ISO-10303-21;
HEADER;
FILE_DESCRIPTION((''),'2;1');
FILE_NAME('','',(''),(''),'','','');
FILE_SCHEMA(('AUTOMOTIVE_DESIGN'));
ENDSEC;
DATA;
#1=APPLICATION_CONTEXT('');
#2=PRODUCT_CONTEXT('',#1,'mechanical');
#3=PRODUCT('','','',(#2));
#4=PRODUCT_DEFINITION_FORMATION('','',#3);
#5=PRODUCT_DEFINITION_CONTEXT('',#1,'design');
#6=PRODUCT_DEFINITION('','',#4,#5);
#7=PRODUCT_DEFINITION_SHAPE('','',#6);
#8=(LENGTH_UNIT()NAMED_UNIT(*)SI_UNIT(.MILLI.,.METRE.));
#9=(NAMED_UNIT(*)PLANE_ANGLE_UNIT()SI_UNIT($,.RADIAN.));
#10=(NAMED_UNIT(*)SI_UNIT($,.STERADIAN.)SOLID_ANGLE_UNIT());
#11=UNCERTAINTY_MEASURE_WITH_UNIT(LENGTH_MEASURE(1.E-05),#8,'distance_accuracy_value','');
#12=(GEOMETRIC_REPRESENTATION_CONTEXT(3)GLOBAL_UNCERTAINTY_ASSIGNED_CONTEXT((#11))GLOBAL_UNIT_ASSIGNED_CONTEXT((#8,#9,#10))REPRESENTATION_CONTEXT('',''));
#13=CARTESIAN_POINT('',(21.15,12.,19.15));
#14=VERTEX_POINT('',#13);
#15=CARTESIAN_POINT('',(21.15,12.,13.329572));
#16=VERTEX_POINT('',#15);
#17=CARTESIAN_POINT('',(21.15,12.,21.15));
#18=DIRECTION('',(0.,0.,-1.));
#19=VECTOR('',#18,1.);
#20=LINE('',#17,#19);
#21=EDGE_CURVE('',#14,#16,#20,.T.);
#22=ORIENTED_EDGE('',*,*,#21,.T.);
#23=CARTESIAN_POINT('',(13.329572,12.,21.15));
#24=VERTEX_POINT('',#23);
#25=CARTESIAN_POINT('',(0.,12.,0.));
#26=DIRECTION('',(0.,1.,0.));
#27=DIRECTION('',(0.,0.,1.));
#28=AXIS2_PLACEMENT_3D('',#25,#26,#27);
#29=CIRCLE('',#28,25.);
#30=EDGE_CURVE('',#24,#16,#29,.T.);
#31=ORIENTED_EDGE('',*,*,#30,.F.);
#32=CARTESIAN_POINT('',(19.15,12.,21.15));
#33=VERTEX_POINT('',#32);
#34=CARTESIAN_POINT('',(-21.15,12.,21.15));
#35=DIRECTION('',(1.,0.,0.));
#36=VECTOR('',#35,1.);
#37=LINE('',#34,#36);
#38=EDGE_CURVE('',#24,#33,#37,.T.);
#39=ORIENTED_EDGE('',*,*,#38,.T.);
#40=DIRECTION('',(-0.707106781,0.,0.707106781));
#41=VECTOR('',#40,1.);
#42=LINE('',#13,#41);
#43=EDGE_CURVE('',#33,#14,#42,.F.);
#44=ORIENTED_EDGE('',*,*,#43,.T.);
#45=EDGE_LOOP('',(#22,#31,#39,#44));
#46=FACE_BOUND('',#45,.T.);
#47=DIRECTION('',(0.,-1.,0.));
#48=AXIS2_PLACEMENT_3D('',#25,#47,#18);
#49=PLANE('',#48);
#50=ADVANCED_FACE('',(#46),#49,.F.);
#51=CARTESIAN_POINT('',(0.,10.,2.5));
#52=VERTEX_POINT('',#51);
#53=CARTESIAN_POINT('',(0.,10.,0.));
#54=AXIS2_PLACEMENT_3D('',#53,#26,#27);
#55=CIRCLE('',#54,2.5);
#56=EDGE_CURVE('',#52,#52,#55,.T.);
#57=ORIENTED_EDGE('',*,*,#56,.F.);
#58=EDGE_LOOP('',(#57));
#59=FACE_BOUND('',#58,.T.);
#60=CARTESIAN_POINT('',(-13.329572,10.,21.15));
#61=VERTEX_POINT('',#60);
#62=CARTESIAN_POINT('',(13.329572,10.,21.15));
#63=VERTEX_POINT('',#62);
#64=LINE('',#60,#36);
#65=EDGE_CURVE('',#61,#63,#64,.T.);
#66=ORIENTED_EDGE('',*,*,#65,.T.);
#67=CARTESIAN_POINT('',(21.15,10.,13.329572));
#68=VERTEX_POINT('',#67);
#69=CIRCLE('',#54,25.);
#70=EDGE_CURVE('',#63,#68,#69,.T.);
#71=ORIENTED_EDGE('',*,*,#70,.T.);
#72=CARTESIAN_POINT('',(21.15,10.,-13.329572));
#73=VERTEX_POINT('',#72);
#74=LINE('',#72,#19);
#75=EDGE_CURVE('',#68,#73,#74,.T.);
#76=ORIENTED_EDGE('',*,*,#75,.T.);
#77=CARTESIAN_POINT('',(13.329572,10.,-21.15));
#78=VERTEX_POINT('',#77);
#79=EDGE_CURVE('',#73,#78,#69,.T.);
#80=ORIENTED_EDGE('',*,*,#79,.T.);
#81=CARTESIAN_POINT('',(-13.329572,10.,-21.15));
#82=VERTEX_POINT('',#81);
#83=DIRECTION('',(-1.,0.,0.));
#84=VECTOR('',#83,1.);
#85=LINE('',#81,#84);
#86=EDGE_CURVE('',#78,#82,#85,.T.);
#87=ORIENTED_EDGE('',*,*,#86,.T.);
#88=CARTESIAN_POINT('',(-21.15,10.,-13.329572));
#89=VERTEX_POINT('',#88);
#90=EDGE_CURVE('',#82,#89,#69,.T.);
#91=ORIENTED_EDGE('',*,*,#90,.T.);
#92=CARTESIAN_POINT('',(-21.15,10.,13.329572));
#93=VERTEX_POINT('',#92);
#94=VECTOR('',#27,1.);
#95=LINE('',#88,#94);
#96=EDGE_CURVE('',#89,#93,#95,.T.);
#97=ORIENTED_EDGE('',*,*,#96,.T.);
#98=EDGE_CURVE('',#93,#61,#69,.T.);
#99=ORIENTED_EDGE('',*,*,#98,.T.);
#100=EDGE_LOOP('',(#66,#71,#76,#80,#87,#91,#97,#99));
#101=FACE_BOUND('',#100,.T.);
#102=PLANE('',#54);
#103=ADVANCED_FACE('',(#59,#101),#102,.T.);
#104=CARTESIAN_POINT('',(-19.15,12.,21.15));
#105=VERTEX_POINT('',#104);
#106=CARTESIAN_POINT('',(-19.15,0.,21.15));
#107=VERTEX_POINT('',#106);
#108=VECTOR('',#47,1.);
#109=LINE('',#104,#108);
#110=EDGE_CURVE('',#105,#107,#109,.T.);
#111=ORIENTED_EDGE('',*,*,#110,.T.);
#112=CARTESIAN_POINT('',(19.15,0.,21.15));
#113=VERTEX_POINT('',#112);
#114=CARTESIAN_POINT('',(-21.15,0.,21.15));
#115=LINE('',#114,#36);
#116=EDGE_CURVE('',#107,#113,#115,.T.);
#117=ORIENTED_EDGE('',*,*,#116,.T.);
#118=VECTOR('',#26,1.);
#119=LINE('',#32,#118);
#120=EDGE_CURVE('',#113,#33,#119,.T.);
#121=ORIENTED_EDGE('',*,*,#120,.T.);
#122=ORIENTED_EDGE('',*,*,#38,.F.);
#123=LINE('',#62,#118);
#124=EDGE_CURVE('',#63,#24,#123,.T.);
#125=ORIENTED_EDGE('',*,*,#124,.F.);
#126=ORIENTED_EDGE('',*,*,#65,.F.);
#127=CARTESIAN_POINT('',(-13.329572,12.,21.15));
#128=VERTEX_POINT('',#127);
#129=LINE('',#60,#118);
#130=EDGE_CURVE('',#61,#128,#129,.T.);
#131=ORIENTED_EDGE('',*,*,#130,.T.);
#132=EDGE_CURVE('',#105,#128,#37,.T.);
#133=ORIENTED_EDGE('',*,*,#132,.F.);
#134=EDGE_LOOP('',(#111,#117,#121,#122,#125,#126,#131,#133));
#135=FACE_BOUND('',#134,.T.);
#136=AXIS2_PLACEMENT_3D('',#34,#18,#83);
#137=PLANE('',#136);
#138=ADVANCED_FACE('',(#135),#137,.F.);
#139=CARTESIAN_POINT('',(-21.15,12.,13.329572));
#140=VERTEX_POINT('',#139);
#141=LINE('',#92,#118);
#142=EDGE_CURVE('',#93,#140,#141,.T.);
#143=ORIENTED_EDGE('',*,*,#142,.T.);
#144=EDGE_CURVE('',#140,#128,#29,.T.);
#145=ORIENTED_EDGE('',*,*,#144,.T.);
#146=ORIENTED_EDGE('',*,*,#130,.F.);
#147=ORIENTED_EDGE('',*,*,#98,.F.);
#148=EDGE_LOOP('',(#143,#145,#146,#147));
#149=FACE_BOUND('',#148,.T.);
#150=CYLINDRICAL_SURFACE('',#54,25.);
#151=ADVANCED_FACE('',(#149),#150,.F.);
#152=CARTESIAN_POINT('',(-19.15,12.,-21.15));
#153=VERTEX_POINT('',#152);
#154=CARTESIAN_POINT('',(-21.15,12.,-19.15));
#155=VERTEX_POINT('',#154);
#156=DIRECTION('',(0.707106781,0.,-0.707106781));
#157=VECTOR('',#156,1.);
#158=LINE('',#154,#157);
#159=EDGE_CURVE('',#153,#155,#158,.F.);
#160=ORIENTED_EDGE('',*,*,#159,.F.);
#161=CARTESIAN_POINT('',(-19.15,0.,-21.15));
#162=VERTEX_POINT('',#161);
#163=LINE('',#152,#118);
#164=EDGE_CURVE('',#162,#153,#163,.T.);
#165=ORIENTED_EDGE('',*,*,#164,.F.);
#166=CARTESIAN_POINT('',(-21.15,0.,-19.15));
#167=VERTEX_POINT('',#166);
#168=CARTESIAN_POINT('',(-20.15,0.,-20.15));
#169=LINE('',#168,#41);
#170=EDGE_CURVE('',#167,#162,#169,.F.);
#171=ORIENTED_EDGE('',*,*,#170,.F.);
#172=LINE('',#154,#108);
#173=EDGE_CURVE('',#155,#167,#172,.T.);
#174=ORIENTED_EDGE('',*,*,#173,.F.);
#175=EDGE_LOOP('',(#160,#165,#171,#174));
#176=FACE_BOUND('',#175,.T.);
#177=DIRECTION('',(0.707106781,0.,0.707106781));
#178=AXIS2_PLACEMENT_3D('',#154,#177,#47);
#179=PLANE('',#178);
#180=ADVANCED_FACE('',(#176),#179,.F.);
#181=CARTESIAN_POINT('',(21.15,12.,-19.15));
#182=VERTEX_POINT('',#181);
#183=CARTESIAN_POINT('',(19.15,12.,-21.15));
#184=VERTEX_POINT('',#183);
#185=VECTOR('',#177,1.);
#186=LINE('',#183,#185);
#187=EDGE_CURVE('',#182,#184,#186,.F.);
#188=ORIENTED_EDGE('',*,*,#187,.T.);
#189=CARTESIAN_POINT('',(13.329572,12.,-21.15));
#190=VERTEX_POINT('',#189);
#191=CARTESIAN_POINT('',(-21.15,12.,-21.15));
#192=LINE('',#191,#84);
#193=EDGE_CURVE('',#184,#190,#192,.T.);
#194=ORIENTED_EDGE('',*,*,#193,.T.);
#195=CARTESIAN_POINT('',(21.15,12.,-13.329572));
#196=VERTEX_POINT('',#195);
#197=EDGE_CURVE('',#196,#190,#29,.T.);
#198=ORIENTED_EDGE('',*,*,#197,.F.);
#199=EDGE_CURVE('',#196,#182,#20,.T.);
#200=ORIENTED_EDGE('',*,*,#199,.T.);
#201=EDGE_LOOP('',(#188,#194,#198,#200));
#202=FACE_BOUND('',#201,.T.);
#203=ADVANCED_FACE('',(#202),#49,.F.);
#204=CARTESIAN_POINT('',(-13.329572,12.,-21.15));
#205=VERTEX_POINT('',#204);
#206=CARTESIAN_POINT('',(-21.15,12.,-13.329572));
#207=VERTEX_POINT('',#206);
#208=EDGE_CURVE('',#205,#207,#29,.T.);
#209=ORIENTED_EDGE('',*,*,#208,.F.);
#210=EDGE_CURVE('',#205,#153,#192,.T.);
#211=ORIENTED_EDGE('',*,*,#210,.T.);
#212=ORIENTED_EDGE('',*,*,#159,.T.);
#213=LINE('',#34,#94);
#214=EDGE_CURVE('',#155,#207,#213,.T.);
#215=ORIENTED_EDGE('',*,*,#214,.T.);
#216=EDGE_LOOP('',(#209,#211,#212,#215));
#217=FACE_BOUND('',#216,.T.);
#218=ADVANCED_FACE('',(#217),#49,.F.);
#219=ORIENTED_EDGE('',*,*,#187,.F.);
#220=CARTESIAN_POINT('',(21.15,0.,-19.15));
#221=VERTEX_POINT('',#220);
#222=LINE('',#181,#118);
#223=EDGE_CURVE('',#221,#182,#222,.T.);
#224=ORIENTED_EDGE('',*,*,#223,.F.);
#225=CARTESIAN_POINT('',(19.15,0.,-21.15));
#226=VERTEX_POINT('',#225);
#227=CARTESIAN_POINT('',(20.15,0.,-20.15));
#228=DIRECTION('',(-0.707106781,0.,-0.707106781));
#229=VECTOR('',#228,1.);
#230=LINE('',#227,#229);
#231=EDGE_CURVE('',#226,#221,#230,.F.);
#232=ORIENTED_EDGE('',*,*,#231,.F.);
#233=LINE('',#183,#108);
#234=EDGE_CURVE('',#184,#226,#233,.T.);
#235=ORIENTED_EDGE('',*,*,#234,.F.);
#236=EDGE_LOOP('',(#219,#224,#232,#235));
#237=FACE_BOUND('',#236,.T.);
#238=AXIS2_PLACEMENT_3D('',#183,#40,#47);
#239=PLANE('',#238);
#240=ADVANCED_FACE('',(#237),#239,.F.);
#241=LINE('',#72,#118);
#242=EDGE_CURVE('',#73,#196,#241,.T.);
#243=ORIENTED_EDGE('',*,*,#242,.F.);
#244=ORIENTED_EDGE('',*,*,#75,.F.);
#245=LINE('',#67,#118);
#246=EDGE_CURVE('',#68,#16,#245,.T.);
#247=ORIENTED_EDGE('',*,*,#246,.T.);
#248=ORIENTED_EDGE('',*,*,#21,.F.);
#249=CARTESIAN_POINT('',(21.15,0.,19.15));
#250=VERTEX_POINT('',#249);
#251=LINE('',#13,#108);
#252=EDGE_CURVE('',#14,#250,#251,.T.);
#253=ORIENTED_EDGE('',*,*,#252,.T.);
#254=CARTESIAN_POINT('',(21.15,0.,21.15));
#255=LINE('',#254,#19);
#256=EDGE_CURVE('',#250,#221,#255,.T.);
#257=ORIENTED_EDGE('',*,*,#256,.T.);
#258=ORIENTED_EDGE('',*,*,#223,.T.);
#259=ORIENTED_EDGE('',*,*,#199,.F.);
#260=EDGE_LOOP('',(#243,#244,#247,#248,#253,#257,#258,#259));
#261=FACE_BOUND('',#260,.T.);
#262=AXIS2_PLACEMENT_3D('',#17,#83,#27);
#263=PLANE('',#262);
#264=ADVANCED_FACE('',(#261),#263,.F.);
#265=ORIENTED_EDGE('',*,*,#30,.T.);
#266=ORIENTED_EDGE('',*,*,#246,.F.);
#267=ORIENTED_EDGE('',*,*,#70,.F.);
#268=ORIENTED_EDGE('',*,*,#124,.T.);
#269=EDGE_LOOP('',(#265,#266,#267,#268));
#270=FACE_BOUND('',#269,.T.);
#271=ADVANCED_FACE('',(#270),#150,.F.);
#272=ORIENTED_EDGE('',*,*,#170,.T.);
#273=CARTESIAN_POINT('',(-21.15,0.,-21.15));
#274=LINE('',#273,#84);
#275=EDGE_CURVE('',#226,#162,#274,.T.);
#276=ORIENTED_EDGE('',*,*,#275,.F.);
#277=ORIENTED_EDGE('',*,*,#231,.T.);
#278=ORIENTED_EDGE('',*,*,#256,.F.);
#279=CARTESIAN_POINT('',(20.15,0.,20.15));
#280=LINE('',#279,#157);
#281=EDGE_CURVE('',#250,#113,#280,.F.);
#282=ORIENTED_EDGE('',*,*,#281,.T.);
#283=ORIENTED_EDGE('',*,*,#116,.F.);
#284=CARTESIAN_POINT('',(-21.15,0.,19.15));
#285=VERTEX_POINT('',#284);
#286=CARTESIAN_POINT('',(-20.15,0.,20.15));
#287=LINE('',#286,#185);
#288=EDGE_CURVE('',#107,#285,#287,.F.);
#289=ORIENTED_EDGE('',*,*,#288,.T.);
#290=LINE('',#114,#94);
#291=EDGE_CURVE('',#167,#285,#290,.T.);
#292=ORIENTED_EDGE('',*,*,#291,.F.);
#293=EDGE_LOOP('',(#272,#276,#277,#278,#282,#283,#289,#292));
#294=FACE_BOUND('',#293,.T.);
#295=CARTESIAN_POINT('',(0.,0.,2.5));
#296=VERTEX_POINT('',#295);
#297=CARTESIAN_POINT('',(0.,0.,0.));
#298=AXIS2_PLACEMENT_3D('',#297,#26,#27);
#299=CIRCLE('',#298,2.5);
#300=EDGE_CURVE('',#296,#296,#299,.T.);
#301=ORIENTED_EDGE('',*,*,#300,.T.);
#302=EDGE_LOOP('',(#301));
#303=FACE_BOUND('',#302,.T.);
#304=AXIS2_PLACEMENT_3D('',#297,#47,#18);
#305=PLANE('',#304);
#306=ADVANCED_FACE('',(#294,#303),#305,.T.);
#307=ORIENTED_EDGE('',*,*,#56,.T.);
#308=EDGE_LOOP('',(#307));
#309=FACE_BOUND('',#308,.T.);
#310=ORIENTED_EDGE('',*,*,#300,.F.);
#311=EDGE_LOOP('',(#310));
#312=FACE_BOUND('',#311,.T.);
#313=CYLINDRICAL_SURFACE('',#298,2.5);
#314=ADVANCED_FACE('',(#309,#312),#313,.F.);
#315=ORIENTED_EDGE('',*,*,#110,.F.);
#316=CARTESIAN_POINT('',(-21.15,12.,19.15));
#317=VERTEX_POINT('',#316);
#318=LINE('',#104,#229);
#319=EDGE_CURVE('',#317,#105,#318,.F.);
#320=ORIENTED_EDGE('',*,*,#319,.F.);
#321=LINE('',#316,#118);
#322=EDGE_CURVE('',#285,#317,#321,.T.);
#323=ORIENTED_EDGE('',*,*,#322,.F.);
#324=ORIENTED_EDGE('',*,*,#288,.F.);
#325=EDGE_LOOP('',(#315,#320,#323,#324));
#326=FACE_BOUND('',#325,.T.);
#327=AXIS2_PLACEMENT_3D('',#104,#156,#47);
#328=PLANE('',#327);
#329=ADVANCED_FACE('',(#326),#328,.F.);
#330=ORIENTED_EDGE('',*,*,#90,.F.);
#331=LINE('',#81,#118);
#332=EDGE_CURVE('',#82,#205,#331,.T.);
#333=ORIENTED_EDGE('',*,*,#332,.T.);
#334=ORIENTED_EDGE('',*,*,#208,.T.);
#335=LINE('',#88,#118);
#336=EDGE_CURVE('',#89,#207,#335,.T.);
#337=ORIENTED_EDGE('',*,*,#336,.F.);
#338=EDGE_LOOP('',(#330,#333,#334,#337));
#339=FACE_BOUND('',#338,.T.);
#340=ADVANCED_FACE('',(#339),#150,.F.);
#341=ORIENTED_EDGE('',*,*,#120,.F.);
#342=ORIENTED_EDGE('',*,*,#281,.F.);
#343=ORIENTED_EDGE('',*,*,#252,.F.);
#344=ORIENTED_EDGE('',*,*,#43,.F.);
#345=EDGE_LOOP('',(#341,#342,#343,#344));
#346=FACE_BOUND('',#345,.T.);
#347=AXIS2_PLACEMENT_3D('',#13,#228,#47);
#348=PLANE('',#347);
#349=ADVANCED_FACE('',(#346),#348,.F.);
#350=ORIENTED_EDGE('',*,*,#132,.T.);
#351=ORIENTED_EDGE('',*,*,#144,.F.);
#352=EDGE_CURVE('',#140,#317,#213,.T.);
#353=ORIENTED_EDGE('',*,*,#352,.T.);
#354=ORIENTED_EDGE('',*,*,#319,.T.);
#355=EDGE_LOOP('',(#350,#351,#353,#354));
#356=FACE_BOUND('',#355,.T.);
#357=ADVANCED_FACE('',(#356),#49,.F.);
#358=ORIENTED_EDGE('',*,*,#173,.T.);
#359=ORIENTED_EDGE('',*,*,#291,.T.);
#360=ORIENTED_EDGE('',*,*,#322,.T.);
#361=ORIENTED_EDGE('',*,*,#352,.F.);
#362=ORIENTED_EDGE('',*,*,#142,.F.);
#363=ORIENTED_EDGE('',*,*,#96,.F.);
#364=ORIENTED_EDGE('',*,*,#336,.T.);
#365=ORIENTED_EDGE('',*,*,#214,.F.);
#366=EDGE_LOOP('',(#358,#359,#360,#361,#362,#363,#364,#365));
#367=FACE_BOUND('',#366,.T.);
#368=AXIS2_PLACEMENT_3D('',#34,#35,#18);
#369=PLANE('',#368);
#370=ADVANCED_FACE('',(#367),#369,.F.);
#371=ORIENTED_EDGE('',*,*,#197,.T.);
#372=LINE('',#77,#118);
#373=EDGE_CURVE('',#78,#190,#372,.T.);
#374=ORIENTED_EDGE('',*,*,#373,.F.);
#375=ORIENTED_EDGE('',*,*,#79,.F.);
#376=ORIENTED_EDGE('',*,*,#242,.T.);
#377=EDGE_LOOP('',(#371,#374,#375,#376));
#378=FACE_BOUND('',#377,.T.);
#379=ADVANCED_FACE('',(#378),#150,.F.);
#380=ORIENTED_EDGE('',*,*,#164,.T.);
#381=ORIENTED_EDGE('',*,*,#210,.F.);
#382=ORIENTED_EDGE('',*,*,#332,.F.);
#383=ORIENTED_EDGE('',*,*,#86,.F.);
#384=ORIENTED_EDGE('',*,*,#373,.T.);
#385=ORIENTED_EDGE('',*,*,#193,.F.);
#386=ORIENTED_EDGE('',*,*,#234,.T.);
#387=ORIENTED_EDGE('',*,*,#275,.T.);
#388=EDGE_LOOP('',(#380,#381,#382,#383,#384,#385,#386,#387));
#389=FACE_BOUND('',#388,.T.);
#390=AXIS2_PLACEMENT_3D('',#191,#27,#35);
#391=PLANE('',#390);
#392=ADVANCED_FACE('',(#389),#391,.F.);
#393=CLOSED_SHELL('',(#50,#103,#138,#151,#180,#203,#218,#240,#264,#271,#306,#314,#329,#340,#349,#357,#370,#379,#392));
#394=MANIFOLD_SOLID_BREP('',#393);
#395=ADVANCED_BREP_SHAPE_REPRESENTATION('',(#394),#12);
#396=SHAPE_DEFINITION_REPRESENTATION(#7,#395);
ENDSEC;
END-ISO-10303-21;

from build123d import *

# Parameters (mm, degrees)
CROQUIS1_W              = 42.3
CROQUIS1_H              = 42.3
SALIENTE_EXTRUIR1_DEPTH = 12
CORTAR_EXTRUIR1_DEPTH   = 2
CHAFL_N1_SIZE           = 2
CROQUIS3_R              = 2.5
CORTAR_EXTRUIR2_DEPTH   = 11


with BuildPart() as part:
    # Croquis1 → Saliente-Extruir1 (new body)
    with BuildSketch(Plane(origin=(0, 0, 0), x_dir=(1, 0, 0), z_dir=(0, 1, 0))):
        Rectangle(CROQUIS1_W, CROQUIS1_H)
    extrude(amount=SALIENTE_EXTRUIR1_DEPTH)

    # Croquis2 → Cortar-Extruir1 (cut)
    with BuildSketch(Plane(origin=(0, 12, 0), x_dir=(1, 0, 0), z_dir=(0, 1, 0))):
        with BuildLine():
            Line((-21.15, 13.329572386), (-21.15, -13.329572386))
            ThreePointArc((-21.15, -13.329572386), (-17.67766953, -17.67766953), (-13.329572386, -21.15))
            Line((-13.329572386, -21.15), (13.329572386, -21.15))
            ThreePointArc((13.329572386, -21.15), (17.67766953, -17.67766953), (21.15, -13.329572386))
            Line((21.15, -13.329572386), (21.15, 13.329572386))
            ThreePointArc((21.15, 13.329572386), (17.67766953, 17.67766953), (13.329572386, 21.15))
            Line((13.329572386, 21.15), (-13.329572386, 21.15))
            ThreePointArc((-13.329572386, 21.15), (-17.67766953, 17.67766953), (-21.15, 13.329572386))
        make_face()
    extrude(amount=-CORTAR_EXTRUIR1_DEPTH, mode=Mode.SUBTRACT)

    # Chaflán1
    chafl_n1_edges = [part.edges().sort_by_distance(p)[0] for p in [
        (21.15, 6, 21.15),
        (-21.15, 6, 21.15),
        (-21.15, 6, -21.15),
        (21.15, 6, -21.15),
    ]]
    chamfer(chafl_n1_edges, length=CHAFL_N1_SIZE)

    # Croquis3 → Cortar-Extruir2 (cut, through all)
    with BuildSketch(Plane(origin=(0, 10, 0), x_dir=(1, 0, 0), z_dir=(0, 1, 0))):
        Circle(CROQUIS3_R)
    extrude(amount=-CORTAR_EXTRUIR2_DEPTH, mode=Mode.SUBTRACT)


solid = part.part
